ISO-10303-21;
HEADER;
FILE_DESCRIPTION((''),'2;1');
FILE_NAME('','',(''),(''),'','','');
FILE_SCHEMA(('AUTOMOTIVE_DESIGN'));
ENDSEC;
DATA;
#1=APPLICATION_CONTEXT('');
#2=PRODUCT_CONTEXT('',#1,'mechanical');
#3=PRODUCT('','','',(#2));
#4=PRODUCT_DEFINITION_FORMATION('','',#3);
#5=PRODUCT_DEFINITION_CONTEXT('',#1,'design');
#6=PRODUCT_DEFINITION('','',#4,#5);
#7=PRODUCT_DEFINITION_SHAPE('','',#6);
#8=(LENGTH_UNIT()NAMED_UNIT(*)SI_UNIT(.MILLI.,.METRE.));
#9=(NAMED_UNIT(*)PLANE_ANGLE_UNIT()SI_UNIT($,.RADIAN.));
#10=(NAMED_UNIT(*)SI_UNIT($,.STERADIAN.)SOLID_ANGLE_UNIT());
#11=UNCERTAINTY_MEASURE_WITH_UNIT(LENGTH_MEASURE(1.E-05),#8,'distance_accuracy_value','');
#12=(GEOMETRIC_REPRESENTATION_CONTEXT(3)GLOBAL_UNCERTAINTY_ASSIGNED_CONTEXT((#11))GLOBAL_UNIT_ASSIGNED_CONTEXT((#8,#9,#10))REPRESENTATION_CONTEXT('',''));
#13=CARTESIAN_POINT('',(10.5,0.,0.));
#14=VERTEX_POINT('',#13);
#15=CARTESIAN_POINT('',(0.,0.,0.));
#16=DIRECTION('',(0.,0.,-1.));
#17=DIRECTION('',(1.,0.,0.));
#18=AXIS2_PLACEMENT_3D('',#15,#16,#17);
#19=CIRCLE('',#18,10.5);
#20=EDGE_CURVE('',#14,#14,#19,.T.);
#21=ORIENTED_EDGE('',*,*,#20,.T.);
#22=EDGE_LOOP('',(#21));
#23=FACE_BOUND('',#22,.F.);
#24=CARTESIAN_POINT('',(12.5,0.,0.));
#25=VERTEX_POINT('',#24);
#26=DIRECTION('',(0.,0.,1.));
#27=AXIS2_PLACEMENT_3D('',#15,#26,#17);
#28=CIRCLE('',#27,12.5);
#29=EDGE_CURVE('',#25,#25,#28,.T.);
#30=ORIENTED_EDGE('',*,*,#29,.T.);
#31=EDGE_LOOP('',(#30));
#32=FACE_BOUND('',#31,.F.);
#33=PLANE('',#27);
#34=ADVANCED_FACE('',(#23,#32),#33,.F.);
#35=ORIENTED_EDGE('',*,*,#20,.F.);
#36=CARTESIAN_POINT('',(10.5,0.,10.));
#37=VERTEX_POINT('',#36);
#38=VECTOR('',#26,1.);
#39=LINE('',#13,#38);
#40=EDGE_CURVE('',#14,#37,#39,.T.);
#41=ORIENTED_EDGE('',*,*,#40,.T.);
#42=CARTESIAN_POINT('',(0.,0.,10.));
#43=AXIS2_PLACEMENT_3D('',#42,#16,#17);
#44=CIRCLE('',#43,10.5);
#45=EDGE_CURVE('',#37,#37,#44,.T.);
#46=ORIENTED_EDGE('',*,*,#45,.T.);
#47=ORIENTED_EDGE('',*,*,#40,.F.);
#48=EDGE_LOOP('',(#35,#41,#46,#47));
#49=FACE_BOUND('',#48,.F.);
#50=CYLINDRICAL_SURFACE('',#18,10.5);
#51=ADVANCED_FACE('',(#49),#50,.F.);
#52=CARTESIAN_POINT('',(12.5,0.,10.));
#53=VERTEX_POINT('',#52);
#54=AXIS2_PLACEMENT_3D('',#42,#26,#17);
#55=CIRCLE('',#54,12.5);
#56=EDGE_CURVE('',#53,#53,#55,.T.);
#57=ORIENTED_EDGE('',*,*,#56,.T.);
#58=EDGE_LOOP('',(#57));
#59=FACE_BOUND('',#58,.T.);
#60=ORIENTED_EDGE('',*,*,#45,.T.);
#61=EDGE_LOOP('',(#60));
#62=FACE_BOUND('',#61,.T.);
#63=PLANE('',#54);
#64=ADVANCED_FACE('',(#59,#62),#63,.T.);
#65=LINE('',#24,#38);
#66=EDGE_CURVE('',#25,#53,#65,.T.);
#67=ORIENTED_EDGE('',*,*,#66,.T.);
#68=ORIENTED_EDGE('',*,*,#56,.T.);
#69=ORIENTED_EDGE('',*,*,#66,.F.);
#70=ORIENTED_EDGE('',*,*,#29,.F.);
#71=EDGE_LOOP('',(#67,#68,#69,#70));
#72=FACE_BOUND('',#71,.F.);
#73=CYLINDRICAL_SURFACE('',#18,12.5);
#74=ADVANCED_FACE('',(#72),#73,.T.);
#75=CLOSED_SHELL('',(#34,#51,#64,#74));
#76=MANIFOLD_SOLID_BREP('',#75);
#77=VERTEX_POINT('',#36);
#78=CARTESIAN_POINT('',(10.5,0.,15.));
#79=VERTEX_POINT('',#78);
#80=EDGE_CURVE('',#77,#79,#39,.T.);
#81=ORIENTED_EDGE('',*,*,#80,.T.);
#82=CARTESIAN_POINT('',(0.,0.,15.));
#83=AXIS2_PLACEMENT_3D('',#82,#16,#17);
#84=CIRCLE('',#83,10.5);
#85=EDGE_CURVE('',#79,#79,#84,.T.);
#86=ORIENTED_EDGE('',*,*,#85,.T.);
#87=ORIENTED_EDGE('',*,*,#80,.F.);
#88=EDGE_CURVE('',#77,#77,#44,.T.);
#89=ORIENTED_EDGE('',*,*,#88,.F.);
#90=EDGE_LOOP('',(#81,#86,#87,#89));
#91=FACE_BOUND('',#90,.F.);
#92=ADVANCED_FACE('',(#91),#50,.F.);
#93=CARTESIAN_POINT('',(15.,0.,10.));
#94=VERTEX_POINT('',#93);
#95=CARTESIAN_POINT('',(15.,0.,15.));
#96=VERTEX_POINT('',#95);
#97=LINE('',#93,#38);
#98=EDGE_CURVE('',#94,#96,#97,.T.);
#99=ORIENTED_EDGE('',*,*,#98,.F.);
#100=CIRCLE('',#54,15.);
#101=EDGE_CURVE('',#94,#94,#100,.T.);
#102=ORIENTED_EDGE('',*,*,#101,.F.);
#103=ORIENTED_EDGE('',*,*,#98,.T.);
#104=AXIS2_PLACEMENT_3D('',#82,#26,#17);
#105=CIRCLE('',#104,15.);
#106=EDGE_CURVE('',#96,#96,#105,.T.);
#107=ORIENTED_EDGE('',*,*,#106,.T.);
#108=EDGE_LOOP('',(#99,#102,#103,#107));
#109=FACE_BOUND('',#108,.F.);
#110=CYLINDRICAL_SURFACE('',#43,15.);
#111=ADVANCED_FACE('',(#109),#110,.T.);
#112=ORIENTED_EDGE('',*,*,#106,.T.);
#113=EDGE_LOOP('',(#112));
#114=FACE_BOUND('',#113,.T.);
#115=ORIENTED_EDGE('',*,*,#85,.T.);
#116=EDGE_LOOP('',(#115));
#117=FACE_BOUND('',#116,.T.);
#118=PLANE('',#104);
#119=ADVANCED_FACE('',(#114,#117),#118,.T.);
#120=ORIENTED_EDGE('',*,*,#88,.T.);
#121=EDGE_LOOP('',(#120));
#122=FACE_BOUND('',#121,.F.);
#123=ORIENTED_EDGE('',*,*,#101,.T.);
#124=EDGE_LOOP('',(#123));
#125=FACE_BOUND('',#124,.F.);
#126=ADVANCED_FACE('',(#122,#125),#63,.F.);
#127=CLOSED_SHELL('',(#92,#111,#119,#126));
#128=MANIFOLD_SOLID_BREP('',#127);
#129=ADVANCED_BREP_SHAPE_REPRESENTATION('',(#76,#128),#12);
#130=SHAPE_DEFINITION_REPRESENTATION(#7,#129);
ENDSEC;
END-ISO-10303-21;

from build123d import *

# Parameters (mm, degrees)
F0_R     = 12.5
F1_DEPTH = 10
F2_R     = 15
F2_R_2   = 12.5
F3_DEPTH = 5
F4_R     = 10.5
F5_DEPTH = 50.6


with BuildPart() as f1:
    # F0 (on Top) → F1 (new body)
    with BuildSketch(Plane.XY):
        Circle(F0_R)
    extrude(amount=F1_DEPTH)


with BuildPart() as f3:
    # F2 (on face) → F3 (new body)
    with BuildSketch(Plane.XY.offset(10)):
        Circle(F2_R)
        Circle(F2_R_2, mode=Mode.SUBTRACT)
        Circle(F2_R_2)
    extrude(amount=F3_DEPTH)


with BuildPart() as f5_tool:
    # F4 (on face) → F5 (new body)
    with BuildSketch(Plane(origin=(0, 0, 0), x_dir=(1, 0, 0), z_dir=(0, 0, -1))):
        Circle(F4_R)
    extrude(amount=-F5_DEPTH)


with BuildPart() as f1_1:
    add(f1.part)

    # F5: cut by f5_tool
    add(f5_tool.part, mode=Mode.SUBTRACT)


with BuildPart() as f3_1:
    add(f3.part)

    # F5: cut by f5_tool
    add(f5_tool.part, mode=Mode.SUBTRACT)


solid = Compound([f1_1.part, f3_1.part])
